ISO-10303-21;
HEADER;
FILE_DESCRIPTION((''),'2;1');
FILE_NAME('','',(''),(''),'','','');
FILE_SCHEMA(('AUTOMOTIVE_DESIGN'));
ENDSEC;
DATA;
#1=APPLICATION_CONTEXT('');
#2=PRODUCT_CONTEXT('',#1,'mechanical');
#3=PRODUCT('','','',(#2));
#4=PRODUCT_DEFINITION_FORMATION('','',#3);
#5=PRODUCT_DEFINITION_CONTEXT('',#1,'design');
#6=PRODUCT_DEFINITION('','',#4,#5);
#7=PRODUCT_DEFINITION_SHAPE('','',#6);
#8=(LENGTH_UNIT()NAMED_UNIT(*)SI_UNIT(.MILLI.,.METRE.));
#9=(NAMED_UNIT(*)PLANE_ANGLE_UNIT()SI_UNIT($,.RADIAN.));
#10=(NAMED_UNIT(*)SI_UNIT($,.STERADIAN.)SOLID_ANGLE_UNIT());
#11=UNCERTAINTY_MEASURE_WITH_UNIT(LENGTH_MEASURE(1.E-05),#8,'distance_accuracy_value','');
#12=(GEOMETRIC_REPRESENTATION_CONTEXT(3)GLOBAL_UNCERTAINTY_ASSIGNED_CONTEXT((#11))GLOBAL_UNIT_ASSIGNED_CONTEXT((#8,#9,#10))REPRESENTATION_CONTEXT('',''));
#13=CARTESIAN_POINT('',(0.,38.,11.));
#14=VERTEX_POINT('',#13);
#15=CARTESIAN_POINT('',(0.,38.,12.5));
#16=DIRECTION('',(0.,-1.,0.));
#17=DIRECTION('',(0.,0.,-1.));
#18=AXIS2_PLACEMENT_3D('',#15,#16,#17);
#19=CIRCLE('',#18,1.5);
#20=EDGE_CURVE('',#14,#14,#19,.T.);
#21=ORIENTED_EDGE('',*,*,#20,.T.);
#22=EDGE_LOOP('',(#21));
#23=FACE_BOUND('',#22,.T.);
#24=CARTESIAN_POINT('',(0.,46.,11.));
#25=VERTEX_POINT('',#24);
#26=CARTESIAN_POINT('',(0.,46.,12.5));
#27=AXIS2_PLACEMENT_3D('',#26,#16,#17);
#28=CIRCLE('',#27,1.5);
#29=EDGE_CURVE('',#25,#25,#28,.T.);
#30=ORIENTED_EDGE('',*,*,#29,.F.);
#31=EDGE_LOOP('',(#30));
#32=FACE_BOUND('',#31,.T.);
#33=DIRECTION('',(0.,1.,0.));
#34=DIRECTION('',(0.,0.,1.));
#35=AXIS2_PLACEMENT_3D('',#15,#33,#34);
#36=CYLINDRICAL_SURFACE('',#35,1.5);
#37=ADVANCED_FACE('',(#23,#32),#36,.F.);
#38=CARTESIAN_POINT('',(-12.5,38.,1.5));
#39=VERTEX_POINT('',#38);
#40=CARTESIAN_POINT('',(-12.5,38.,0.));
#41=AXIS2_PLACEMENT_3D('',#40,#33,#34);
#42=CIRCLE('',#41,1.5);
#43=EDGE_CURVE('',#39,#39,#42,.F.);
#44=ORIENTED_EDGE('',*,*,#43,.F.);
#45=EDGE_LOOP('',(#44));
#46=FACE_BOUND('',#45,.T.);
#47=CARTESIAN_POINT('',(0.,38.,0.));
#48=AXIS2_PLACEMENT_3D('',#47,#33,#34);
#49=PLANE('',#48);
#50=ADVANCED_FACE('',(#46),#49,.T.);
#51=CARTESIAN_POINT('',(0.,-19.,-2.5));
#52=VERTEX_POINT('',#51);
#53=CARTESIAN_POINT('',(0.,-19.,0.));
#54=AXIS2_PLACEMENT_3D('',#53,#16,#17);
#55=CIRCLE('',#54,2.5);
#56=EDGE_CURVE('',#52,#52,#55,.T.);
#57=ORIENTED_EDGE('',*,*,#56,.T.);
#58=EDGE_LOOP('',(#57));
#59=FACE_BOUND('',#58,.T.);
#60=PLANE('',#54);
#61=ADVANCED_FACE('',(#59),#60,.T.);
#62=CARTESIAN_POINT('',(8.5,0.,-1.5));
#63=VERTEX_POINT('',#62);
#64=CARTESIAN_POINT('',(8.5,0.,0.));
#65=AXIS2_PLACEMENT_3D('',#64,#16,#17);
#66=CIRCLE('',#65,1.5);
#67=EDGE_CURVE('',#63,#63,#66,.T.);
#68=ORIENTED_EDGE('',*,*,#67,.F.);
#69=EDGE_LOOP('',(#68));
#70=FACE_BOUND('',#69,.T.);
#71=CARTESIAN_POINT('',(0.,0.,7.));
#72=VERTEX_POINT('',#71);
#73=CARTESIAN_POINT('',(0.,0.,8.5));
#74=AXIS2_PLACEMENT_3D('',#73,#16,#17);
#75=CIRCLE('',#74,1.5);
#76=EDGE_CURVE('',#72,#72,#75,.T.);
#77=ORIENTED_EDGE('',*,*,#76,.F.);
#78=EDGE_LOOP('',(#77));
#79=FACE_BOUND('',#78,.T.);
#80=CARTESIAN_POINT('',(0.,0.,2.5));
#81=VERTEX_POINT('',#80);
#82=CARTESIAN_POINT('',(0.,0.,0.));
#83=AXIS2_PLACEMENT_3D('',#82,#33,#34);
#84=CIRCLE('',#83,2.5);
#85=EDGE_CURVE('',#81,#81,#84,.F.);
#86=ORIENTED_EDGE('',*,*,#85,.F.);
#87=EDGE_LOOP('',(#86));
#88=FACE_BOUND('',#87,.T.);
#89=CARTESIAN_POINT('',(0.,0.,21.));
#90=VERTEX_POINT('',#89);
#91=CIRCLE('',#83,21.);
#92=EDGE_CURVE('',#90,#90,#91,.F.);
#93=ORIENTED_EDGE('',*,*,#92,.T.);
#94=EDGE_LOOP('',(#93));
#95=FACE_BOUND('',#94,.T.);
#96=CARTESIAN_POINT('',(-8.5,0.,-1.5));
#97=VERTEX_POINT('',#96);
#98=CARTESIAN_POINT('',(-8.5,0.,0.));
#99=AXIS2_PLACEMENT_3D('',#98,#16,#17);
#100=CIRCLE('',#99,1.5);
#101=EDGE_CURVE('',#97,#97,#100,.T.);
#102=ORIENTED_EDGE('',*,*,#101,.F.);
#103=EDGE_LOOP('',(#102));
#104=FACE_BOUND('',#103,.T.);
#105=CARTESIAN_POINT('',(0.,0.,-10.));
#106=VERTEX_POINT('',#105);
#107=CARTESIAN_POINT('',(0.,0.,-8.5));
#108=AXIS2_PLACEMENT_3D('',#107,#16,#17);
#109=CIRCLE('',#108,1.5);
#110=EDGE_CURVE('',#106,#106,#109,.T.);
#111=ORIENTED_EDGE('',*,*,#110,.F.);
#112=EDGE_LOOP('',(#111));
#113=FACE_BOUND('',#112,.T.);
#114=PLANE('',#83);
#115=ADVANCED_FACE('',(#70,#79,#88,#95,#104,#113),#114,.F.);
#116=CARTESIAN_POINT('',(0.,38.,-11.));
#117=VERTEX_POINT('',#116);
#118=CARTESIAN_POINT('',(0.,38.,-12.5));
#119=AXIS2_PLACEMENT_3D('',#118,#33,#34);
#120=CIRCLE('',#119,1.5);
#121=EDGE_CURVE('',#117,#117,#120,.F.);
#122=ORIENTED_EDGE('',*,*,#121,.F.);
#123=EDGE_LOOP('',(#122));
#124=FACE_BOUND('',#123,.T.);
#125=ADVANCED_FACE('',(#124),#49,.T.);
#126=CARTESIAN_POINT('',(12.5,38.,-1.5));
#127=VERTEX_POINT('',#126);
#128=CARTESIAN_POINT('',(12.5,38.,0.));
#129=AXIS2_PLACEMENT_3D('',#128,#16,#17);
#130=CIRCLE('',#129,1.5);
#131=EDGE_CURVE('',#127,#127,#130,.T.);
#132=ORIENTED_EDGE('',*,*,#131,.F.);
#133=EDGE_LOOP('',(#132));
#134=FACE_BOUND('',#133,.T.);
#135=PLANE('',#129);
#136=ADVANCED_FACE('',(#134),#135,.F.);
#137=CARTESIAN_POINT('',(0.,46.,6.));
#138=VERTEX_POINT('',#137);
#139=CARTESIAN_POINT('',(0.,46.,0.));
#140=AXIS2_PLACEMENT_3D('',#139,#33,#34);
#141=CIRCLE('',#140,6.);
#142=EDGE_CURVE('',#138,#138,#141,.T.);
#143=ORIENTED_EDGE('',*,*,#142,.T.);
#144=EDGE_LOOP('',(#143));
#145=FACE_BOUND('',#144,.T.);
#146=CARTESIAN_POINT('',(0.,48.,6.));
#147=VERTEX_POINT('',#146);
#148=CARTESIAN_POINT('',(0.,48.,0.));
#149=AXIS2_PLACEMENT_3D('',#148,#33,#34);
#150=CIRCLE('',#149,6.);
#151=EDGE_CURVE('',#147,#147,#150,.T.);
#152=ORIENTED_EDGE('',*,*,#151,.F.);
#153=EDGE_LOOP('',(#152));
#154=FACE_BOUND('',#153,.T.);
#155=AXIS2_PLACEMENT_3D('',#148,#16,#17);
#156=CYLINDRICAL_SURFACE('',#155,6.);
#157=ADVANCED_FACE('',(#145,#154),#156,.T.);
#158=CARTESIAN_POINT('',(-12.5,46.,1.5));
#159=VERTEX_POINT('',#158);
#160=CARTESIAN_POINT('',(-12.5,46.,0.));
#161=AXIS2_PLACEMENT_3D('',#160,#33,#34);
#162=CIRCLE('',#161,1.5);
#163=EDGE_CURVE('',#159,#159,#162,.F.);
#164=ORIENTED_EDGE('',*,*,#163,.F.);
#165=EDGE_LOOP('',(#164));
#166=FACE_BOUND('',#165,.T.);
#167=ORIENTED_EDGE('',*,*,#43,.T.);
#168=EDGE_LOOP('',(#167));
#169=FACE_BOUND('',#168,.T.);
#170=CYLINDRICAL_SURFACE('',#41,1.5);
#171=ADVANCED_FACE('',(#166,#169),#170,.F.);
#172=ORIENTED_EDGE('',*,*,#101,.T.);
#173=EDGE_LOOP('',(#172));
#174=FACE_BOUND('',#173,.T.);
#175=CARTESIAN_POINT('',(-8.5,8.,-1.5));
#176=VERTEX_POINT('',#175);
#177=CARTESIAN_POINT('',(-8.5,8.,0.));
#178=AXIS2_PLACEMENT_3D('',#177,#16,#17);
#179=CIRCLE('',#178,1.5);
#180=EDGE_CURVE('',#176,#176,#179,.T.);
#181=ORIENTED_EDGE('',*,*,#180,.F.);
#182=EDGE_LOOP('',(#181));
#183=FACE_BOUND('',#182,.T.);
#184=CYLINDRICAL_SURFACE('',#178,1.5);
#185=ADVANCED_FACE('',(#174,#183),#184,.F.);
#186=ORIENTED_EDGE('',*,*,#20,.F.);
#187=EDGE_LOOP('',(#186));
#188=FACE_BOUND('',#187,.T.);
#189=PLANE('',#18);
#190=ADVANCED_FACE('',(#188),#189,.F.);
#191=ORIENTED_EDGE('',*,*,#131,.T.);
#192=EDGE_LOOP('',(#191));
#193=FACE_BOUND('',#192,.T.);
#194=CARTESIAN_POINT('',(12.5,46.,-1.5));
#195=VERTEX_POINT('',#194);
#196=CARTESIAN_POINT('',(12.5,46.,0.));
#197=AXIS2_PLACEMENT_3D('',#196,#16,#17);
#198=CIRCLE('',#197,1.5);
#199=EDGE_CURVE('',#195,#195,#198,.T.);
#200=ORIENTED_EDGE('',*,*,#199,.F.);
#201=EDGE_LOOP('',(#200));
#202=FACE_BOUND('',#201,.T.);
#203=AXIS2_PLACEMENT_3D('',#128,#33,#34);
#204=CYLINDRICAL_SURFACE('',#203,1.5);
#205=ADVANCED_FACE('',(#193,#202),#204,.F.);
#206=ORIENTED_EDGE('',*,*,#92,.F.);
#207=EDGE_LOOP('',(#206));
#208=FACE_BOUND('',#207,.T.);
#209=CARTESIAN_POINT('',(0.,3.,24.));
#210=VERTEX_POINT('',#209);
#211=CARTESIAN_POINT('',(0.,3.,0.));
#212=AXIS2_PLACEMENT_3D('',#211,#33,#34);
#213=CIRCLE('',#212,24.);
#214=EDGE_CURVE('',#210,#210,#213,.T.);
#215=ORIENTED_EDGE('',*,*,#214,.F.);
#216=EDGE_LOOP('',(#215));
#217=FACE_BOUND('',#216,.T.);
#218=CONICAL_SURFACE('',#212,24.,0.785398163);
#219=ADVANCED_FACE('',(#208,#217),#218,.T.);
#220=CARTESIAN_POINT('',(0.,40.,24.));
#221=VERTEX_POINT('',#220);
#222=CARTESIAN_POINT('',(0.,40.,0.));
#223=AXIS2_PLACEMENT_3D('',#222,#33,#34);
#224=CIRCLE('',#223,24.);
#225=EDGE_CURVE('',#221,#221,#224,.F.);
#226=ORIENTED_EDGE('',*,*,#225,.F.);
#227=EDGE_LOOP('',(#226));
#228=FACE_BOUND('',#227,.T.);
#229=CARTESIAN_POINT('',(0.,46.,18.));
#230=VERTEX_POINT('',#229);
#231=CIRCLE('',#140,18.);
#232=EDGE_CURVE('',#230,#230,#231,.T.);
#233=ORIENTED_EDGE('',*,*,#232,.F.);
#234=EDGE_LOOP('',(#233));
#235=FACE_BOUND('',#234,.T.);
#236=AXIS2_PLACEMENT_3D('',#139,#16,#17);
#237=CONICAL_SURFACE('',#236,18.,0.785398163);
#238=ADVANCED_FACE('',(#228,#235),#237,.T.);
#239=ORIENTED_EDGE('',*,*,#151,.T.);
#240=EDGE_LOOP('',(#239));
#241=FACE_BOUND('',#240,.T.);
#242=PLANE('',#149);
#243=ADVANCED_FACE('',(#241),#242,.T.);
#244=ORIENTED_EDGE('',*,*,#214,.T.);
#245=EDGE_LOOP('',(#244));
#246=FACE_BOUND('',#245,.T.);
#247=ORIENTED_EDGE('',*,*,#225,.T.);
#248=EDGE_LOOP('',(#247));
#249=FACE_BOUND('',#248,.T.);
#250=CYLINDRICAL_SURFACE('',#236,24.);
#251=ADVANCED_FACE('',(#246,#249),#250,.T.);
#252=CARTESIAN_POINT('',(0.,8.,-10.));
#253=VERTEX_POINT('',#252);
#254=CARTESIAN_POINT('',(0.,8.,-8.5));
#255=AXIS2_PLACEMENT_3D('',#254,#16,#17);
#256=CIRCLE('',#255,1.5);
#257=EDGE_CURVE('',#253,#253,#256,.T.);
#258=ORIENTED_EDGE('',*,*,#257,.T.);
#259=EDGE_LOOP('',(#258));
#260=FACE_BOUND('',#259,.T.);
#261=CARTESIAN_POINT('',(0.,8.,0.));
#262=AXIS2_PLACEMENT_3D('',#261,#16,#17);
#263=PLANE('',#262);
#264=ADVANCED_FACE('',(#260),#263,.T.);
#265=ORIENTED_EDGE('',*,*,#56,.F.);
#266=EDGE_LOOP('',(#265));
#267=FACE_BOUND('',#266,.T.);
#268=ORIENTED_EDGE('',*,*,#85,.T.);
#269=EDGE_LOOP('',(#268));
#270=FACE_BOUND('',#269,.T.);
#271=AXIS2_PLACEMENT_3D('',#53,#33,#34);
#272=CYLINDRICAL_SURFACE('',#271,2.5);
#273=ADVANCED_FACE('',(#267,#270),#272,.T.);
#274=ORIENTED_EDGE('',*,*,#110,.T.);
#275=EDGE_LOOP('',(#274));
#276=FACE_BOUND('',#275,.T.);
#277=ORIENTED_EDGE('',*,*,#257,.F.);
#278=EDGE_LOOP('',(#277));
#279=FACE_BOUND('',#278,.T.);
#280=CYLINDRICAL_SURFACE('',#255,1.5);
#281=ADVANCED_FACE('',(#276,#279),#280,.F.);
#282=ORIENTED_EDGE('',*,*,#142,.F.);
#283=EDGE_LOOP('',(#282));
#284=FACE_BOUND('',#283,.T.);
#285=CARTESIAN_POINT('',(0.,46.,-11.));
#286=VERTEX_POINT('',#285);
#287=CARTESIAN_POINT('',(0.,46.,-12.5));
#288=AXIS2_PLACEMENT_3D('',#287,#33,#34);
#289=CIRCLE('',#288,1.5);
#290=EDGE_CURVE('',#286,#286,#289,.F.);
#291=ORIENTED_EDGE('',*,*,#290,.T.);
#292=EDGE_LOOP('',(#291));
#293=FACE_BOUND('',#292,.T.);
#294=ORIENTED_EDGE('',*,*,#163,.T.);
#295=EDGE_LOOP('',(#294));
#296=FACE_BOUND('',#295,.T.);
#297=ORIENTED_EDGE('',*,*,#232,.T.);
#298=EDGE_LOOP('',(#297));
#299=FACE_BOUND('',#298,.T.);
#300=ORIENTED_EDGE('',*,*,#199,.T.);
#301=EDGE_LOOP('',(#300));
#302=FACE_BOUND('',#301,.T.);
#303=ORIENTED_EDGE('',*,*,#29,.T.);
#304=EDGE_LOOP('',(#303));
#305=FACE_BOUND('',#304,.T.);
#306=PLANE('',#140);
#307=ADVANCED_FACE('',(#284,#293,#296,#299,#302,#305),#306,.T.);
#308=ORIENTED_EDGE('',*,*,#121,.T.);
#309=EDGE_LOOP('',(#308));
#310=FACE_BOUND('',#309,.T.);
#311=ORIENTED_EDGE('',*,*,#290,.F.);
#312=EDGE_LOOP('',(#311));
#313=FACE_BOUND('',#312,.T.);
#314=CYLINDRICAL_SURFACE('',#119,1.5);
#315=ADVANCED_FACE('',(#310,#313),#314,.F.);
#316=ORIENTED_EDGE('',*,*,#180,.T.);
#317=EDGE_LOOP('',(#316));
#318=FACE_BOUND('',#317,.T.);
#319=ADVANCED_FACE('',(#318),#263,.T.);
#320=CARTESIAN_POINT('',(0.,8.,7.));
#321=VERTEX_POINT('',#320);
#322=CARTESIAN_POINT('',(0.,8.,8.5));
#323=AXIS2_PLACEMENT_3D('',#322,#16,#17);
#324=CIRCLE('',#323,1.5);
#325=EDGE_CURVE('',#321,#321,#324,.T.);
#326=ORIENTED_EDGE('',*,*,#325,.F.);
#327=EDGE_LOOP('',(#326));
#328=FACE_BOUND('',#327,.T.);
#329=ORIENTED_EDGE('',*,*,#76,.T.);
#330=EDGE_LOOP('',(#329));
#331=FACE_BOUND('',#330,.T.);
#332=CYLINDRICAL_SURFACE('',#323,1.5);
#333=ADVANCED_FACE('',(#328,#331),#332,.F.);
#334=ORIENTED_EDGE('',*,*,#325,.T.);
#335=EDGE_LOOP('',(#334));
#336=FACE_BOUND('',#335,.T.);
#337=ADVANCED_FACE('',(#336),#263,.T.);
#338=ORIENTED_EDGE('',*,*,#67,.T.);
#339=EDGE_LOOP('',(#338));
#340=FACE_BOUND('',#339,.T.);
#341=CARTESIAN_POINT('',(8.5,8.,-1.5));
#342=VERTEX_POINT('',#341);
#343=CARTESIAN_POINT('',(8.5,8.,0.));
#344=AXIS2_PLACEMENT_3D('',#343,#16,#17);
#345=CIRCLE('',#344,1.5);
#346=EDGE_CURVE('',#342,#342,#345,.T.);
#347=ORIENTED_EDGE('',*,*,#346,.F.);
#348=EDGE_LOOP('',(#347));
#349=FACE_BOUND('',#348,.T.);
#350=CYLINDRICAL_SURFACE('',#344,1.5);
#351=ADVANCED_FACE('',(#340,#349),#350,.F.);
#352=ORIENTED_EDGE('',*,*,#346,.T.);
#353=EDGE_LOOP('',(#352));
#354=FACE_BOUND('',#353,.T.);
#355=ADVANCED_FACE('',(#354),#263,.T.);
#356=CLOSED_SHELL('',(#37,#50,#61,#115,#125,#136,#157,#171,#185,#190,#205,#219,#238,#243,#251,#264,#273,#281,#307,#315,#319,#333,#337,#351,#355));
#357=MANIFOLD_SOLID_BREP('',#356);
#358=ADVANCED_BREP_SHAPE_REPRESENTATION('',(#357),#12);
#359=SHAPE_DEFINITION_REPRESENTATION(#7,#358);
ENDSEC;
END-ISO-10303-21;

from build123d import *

# Parameters (mm, degrees)
SKETCH_1_R          = 24
EXTRUDE_1_DEPTH     = 46
SKETCH_3_R          = 6
EXTRUDE_2_DEPTH     = 2
CHAMFER_1_SIZE      = 6
CHAMFER_2_SIZE      = 3
SKETCH_4_R          = 1.5
CUT_EXTRUDE_1_DEPTH = 8
SKETCH_5_R          = 1.5
CUT_EXTRUDE_2_DEPTH = 8
SKETCH_6_R          = 2.5
EXTRUDE_3_DEPTH     = 19


with BuildPart() as part:
    # 草图1 → 凸台-拉伸1 (new body)
    with BuildSketch(Plane(origin=(0, 0, 0), x_dir=(1, 0, 0), z_dir=(0, 1, 0))):
        Circle(SKETCH_1_R)
    extrude(amount=EXTRUDE_1_DEPTH)

    # 草图3 → 凸台-拉伸2 (add)
    with BuildSketch(Plane(origin=(0, 46, 0), x_dir=(1, 0, 0), z_dir=(0, 1, 0))):
        Circle(SKETCH_3_R)
    extrude(amount=EXTRUDE_2_DEPTH)

    # 倒角1
    chamfer_1_edges = [part.edges().sort_by_distance(p)[0] for p in [
        (-24, 46, 0),
    ]]
    chamfer(chamfer_1_edges, length=CHAMFER_1_SIZE)

    # 倒角2
    chamfer_2_edges = [part.edges().sort_by_distance(p)[0] for p in [
        (-24, 0, 0),
    ]]
    chamfer(chamfer_2_edges, length=CHAMFER_2_SIZE)

    # 草图4 → 切除-拉伸1 (cut)
    with BuildSketch(Plane.XZ.offset(-46)):
        with Locations((0, 12.5)):
            Circle(SKETCH_4_R)
        with Locations((-12.5, 0)):
            Circle(SKETCH_4_R)
        with Locations((12.5, 0)):
            Circle(SKETCH_4_R)
        with Locations((0, -12.5)):
            Circle(SKETCH_4_R)
    extrude(amount=CUT_EXTRUDE_1_DEPTH, mode=Mode.SUBTRACT)

    # 草图5 → 切除-拉伸2 (cut)
    with BuildSketch(Plane.XZ):
        with Locations((0, 8.5)):
            Circle(SKETCH_5_R)
        with Locations((8.5, 0)):
            Circle(SKETCH_5_R)
        with Locations((0, -8.5)):
            Circle(SKETCH_5_R)
        with Locations((-8.5, 0)):
            Circle(SKETCH_5_R)
    extrude(amount=-CUT_EXTRUDE_2_DEPTH, mode=Mode.SUBTRACT)

    # 草图6 → 凸台-拉伸3 (add)
    with BuildSketch(Plane.XZ):
        Circle(SKETCH_6_R)
    extrude(amount=EXTRUDE_3_DEPTH)


solid = part.part
